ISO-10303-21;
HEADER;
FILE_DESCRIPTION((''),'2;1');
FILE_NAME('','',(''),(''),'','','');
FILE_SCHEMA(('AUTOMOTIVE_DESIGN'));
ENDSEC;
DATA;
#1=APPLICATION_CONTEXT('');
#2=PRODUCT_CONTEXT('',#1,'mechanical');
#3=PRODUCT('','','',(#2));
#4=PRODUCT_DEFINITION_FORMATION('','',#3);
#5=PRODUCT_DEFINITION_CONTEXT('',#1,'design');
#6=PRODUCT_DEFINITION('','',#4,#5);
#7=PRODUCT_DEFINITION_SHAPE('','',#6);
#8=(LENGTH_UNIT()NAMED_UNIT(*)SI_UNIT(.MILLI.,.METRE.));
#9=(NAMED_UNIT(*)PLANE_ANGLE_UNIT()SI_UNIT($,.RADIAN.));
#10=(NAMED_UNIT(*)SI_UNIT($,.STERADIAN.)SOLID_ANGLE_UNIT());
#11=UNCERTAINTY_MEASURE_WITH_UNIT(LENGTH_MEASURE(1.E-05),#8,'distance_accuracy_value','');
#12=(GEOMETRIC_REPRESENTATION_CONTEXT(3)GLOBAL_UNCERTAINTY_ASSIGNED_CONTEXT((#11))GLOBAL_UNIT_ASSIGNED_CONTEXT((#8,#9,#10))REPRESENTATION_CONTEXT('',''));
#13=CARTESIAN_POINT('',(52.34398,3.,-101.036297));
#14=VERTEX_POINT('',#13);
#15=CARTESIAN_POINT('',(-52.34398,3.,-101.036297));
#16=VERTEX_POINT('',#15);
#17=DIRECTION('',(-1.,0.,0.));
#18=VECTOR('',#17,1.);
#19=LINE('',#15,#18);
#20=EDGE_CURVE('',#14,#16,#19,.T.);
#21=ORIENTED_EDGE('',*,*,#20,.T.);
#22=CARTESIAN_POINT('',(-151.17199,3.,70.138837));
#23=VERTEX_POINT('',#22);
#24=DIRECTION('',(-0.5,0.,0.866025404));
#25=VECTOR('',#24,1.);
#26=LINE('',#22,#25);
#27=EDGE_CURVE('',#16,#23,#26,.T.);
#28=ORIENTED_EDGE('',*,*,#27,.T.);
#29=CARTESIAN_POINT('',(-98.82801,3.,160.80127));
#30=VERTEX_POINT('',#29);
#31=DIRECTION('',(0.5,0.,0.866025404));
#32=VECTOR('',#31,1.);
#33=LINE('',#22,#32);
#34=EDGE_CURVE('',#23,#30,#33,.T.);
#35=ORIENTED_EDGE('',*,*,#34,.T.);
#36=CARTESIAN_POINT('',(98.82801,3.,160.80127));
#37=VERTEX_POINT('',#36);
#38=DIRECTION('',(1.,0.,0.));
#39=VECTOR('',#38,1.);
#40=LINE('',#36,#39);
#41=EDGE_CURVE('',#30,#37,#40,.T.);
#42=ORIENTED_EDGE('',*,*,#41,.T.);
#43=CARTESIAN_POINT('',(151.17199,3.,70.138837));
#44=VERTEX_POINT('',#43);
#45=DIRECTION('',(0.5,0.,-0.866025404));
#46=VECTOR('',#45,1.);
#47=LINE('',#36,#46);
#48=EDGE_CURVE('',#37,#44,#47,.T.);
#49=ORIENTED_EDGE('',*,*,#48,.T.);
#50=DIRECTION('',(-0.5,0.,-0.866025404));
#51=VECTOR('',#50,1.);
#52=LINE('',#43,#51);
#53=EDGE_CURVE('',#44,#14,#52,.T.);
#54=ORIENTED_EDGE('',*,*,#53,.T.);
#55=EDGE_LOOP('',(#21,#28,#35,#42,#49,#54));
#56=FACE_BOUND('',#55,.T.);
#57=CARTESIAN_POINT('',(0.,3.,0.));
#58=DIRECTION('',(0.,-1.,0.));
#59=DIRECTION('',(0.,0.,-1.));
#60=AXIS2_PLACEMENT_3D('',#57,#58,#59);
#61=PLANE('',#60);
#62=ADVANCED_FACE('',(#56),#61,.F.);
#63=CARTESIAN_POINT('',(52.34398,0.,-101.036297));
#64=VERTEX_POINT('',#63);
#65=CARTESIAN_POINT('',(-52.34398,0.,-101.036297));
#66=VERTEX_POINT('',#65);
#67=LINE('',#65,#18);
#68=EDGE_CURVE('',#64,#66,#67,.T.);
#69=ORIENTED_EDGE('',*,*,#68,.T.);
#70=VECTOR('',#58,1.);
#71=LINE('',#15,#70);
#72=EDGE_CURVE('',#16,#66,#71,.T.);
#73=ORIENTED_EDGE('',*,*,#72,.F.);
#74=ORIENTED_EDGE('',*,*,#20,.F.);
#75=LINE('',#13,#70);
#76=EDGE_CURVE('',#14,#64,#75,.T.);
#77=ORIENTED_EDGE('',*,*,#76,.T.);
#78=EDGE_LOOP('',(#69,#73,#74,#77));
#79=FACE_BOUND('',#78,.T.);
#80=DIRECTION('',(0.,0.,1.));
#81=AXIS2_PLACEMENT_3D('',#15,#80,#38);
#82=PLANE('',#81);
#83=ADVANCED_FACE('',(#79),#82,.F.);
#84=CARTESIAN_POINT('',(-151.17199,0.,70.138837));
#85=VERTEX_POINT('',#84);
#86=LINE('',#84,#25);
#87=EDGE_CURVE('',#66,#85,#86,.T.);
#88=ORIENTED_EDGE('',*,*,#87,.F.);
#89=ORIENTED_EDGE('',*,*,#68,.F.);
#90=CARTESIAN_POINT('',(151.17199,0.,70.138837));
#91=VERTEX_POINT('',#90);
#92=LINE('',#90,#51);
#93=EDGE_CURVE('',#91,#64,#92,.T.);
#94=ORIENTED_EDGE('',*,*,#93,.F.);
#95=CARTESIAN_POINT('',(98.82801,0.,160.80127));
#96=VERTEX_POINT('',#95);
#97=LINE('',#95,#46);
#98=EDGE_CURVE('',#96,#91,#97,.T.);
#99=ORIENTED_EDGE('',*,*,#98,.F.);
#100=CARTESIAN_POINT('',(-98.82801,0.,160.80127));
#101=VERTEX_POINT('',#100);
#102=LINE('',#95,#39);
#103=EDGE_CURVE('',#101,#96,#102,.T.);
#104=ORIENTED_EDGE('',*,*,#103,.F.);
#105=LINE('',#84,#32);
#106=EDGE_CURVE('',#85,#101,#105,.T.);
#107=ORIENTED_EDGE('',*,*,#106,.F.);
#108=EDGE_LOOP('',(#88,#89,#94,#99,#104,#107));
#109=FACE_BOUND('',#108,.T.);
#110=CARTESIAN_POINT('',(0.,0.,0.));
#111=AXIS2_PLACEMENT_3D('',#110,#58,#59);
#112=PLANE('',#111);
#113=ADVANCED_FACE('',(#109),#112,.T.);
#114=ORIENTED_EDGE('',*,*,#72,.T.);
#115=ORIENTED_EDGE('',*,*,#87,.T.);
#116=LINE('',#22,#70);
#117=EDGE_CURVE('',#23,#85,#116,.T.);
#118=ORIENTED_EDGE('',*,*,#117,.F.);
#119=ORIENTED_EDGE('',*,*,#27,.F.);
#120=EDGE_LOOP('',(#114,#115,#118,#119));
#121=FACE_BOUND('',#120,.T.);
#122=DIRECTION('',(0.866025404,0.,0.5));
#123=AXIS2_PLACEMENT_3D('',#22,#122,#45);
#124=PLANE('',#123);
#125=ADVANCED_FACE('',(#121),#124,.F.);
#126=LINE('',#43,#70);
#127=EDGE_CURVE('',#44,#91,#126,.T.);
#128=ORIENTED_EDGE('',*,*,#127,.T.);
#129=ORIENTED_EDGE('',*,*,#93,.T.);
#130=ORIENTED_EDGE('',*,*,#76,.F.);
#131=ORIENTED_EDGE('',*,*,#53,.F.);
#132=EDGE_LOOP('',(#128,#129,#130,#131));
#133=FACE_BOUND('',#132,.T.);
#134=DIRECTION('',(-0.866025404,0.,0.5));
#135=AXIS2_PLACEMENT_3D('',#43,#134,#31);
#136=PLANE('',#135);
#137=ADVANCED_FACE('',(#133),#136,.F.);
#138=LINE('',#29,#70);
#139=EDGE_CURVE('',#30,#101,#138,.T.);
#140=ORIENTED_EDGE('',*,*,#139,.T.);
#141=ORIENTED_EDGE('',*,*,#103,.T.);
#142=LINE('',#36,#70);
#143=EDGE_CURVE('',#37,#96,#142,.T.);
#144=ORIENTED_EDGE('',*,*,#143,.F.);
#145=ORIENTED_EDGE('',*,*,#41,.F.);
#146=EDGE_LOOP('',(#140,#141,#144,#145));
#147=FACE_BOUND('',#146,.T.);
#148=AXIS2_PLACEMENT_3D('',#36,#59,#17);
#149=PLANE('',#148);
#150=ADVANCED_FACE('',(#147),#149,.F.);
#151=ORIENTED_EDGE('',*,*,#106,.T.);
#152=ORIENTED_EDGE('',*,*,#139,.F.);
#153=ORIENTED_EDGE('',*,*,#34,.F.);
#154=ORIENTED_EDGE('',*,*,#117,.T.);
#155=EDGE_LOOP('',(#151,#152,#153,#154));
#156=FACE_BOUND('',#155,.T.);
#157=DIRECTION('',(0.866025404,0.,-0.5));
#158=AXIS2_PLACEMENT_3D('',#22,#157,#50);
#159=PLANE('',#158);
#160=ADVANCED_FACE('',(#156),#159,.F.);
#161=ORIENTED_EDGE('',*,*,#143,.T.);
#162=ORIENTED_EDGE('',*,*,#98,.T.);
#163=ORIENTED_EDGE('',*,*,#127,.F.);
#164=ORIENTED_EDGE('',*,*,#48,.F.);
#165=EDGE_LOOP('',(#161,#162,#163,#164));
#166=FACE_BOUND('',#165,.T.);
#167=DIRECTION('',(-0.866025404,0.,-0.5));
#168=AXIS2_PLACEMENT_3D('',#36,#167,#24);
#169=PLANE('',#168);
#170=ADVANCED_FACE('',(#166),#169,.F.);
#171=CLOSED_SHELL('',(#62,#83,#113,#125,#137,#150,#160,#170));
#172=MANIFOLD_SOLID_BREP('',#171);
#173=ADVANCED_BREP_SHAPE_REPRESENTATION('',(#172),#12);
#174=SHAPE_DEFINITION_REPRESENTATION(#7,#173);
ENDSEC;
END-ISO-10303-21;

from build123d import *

# Parameters (mm, degrees)
BOSS_EXTRUDE1_DEPTH = 3


with BuildPart() as part:
    # Sketch3 → Boss-Extrude1 (new body)
    with BuildSketch(Plane(origin=(0, 0, 0), x_dir=(1, 0, 0), z_dir=(0, 1, 0))):
        Polygon((-151.171989963, -70.138837487), (-52.343979926, 101.036297108), (52.343979926, 101.036297108), (151.171989963, -70.138837487), (98.828010037, -160.801270189), (-98.828010037, -160.801270189), align=None)
    extrude(amount=BOSS_EXTRUDE1_DEPTH)


solid = part.part
